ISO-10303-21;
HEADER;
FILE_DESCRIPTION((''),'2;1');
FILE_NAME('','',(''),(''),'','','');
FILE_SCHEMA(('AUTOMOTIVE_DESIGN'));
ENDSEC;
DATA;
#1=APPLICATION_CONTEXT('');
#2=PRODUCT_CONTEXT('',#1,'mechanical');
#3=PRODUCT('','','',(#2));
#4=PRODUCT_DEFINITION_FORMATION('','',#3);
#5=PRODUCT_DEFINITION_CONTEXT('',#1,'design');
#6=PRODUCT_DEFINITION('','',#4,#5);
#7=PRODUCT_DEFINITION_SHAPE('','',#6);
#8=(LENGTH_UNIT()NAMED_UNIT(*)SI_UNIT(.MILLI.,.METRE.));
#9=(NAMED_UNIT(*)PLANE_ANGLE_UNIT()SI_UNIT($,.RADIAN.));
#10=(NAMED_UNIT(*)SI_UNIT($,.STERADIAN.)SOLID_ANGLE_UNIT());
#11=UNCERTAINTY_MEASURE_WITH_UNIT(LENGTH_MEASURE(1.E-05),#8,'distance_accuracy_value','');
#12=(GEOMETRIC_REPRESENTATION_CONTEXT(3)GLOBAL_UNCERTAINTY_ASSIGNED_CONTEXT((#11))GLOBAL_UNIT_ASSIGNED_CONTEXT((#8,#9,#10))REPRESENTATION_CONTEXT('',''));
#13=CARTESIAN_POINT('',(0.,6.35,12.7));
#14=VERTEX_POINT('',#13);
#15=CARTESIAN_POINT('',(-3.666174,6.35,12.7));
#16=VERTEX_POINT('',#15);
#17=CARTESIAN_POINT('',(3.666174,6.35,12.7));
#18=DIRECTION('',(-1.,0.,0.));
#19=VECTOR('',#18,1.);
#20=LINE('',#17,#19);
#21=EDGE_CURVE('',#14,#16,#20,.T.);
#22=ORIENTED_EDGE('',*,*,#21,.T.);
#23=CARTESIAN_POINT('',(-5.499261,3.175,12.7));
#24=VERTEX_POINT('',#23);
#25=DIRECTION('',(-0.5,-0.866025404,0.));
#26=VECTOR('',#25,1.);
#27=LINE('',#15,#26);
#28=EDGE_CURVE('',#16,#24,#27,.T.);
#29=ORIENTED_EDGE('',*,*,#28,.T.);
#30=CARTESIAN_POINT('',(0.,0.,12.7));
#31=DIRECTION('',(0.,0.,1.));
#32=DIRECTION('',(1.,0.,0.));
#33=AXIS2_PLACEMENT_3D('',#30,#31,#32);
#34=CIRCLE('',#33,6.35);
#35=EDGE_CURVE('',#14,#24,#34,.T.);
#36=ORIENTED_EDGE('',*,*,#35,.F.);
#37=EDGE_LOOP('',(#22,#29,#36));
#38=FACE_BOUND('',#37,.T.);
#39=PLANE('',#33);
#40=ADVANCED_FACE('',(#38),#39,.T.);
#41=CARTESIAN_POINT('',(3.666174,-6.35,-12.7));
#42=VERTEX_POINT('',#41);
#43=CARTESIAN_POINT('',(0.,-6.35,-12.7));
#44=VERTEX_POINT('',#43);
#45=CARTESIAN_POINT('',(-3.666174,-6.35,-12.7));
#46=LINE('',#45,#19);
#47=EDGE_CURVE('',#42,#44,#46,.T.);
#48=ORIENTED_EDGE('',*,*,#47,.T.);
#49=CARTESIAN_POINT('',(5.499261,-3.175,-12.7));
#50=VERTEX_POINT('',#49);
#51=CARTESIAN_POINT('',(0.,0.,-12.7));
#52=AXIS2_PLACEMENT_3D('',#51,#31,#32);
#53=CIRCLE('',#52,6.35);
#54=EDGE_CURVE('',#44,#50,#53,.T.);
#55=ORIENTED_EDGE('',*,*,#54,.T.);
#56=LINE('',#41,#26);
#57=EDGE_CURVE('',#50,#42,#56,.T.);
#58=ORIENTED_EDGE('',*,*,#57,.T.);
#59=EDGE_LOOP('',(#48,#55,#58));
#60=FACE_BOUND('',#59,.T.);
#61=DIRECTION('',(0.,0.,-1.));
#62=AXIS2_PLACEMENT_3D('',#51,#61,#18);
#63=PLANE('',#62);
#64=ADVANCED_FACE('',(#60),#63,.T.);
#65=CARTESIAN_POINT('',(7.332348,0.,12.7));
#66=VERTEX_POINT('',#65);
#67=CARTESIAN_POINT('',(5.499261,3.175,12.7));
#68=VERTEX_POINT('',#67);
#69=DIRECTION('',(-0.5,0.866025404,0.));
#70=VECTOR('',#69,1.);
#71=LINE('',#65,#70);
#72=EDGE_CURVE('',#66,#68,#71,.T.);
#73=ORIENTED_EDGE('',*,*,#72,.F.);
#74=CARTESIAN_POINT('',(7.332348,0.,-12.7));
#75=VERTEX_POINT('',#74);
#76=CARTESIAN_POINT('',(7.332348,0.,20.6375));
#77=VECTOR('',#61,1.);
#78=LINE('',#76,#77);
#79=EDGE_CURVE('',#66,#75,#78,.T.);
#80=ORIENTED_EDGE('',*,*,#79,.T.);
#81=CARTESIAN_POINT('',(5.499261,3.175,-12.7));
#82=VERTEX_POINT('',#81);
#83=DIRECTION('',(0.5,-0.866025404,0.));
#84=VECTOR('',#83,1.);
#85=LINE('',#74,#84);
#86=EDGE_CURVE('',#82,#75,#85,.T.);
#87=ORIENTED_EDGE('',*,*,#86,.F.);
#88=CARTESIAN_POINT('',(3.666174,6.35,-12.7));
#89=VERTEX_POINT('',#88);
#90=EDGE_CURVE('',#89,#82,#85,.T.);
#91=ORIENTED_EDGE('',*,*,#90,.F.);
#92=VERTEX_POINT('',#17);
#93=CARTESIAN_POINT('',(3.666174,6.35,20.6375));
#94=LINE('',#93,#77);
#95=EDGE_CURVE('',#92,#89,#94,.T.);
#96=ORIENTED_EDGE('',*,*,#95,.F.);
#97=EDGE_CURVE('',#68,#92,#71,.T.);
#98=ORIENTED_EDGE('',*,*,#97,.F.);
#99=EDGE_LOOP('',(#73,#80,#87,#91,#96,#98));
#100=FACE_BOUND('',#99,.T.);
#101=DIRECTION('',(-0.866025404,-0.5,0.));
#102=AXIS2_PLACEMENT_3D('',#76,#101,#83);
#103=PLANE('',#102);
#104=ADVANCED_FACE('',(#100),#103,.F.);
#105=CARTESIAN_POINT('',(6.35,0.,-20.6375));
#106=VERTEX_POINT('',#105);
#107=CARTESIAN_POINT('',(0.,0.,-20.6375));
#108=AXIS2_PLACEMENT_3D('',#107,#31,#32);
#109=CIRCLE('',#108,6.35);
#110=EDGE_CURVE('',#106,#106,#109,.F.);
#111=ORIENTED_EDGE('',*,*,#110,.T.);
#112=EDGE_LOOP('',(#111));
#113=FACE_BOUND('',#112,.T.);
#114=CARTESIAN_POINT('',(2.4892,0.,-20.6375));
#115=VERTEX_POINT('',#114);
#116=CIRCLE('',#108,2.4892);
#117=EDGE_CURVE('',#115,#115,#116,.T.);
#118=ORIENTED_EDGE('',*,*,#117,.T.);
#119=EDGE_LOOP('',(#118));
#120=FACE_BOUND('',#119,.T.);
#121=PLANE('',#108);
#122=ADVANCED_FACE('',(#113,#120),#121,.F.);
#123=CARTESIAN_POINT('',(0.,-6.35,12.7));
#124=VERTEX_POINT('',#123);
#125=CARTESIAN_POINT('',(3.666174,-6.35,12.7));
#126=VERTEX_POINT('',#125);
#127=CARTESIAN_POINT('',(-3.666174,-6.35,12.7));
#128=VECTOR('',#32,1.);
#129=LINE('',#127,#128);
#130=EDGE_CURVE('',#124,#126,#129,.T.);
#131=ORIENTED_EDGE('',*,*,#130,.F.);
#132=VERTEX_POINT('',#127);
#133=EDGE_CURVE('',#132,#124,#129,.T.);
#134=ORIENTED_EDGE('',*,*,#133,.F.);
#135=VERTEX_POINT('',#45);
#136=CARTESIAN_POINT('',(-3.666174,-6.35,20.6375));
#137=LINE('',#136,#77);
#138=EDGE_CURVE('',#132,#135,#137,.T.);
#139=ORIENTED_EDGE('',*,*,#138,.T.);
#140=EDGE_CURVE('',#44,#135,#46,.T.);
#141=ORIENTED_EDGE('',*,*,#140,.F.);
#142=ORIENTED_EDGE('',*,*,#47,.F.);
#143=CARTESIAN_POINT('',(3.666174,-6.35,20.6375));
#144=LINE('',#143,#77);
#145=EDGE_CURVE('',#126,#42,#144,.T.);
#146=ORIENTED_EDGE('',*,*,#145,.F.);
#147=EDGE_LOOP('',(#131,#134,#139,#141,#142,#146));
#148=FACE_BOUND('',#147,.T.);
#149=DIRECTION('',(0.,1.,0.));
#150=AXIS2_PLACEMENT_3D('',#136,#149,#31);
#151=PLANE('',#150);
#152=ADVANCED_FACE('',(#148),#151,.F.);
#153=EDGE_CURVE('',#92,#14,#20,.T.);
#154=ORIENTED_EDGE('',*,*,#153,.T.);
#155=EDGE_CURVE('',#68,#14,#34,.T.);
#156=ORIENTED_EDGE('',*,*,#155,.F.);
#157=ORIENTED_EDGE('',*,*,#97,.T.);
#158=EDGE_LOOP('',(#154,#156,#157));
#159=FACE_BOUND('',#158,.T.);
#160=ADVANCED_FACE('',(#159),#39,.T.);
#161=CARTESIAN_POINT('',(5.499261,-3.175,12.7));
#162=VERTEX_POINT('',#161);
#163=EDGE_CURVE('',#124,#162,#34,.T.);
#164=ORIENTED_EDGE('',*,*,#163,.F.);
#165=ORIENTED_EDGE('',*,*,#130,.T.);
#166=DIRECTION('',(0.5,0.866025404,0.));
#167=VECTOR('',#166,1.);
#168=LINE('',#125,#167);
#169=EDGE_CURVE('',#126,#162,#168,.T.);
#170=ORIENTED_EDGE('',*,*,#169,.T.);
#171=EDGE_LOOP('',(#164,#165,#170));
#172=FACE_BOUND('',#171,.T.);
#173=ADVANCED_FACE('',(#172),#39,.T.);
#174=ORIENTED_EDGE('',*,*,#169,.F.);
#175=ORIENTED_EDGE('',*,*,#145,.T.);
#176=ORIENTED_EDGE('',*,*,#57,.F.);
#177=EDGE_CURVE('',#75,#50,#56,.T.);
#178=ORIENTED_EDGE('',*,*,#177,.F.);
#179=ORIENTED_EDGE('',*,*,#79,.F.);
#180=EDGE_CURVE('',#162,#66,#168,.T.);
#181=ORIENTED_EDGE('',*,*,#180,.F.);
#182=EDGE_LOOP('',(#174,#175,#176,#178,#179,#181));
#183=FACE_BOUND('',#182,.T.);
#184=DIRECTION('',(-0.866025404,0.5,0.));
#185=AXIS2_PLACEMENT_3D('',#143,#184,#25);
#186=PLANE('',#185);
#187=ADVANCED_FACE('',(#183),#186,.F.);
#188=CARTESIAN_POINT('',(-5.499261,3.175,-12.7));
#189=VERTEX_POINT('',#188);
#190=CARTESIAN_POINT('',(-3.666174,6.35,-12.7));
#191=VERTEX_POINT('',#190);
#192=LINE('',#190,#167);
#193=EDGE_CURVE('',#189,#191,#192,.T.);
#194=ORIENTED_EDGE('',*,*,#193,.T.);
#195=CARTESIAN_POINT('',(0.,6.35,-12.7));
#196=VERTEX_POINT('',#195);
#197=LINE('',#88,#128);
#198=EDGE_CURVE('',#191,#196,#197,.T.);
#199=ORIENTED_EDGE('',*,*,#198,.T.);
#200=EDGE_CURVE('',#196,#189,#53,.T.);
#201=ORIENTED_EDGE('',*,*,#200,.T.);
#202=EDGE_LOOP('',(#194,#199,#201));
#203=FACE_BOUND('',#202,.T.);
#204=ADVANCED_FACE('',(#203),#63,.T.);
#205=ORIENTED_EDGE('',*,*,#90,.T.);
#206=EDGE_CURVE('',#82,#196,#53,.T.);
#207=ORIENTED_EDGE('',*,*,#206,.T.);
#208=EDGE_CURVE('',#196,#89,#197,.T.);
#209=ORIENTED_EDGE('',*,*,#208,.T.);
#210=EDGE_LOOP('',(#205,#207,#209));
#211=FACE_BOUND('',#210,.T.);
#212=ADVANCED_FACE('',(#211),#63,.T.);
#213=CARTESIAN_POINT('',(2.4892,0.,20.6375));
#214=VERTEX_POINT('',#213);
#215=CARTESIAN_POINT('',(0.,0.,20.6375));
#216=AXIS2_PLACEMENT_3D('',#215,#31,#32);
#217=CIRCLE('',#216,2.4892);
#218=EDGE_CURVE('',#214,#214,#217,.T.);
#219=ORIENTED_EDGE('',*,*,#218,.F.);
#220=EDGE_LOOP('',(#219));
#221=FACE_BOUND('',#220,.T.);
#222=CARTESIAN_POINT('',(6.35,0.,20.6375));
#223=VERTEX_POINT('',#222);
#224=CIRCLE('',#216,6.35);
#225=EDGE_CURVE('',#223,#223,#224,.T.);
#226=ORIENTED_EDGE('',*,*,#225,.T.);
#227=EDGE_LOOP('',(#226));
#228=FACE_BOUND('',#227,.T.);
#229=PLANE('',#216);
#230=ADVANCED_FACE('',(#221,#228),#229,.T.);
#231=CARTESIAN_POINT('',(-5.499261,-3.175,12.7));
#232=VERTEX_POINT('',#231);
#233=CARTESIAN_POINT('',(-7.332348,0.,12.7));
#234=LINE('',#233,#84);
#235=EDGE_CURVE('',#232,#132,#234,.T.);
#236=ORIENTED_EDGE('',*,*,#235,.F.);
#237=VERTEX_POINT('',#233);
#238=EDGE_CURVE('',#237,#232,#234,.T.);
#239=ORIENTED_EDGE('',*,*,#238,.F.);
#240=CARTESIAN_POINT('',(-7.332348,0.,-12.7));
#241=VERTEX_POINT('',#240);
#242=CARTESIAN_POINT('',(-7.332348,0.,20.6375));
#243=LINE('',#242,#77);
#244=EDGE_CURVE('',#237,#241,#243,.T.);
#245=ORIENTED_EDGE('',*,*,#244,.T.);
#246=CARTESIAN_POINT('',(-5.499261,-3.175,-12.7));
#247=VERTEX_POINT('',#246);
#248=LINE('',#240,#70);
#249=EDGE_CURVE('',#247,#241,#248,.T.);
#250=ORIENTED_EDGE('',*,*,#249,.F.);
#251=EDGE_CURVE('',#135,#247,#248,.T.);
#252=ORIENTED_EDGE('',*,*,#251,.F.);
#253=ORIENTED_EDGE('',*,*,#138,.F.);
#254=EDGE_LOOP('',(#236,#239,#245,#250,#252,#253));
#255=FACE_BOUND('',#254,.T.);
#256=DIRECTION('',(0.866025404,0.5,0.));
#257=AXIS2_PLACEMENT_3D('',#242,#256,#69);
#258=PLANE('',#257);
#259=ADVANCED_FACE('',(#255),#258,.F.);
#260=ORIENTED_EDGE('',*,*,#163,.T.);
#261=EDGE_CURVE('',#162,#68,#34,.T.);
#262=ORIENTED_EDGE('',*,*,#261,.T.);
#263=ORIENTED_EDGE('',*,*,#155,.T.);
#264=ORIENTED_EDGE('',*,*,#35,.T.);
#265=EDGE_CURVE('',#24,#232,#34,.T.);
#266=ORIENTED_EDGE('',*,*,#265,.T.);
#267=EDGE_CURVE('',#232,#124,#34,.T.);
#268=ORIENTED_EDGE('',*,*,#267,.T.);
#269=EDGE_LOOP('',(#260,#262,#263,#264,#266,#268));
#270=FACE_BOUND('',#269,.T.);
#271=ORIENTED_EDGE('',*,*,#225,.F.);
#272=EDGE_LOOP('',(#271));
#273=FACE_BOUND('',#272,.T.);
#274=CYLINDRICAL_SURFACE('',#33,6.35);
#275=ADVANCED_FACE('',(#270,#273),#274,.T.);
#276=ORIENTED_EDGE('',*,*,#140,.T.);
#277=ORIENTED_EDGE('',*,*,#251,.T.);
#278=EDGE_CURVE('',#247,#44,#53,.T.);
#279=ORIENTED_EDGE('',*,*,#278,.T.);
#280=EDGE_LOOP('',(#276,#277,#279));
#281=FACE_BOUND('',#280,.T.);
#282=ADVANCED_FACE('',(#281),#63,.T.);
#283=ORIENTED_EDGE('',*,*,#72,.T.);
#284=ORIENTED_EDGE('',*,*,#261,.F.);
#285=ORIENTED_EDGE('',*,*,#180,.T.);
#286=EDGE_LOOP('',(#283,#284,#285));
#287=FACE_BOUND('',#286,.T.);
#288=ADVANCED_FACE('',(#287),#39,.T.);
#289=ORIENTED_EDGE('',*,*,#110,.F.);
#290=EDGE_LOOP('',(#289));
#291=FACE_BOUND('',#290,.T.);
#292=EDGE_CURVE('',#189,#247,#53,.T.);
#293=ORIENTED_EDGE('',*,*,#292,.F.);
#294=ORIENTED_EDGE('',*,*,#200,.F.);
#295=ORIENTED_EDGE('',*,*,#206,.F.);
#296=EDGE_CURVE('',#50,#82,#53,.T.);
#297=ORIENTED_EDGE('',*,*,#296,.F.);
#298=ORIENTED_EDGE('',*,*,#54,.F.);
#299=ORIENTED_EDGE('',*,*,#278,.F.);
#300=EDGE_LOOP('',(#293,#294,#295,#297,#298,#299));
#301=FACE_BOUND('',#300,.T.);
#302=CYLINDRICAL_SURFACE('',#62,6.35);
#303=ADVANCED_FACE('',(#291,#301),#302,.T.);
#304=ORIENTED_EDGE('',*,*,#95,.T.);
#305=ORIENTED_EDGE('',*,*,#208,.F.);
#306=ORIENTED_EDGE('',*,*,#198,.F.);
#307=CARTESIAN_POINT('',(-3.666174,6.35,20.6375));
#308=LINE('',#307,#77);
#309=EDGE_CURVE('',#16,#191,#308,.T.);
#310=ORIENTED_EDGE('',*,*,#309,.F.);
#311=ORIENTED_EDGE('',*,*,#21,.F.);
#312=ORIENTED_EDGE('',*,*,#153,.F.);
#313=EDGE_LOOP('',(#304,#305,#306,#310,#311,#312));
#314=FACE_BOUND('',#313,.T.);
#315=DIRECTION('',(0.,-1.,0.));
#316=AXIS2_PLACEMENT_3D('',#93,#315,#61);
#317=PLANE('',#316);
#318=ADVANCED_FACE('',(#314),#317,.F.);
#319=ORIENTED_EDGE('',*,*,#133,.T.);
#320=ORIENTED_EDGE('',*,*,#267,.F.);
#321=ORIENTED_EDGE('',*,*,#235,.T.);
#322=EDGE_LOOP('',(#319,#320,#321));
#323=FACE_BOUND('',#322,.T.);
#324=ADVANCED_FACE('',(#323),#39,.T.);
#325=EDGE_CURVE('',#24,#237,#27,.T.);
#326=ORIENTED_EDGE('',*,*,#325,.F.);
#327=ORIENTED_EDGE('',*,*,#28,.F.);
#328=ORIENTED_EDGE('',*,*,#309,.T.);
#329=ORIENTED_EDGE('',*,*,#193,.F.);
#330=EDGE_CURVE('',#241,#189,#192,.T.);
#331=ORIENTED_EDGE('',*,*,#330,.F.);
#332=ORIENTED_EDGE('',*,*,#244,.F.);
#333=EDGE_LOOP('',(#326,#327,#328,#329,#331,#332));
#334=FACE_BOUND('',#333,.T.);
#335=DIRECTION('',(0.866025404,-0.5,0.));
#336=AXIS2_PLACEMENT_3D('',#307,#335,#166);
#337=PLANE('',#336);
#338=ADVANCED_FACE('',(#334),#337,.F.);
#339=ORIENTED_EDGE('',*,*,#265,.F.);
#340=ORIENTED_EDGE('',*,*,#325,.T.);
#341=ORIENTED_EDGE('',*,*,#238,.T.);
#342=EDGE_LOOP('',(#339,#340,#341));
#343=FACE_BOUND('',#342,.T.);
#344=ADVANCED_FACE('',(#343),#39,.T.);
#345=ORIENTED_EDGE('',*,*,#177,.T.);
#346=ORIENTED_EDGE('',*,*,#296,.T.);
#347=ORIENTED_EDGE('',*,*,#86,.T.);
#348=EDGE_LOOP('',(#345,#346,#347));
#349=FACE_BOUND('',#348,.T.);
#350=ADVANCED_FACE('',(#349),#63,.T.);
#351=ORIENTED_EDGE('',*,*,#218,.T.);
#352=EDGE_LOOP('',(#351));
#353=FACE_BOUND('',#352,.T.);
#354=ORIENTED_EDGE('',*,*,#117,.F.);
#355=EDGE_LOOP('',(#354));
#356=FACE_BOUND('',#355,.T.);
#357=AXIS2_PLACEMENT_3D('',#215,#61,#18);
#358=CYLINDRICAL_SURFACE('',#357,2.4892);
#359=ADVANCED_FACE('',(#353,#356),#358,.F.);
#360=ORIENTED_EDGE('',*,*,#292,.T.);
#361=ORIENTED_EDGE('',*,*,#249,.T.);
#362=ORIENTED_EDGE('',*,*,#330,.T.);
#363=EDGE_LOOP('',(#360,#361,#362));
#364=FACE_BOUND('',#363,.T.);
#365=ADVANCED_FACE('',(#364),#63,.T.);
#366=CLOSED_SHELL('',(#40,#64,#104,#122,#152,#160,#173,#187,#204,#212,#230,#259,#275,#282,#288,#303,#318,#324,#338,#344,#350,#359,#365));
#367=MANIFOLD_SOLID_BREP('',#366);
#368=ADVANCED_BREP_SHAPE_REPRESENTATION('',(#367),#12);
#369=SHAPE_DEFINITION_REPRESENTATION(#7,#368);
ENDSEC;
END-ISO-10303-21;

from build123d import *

# Parameters (mm, degrees)
SKETCH1_R           = 2.4892
BOSS_EXTRUDE1_DEPTH = 20.6375
SKETCH2_OUTSIDE_W   = 25.786
SKETCH2_OUTSIDE_H   = 23.822
SKETCH2_OUTSIDE_R   = 6.35
CUT_EXTRUDE4_DEPTH  = 7.9375


with BuildPart() as part:
    # Sketch1 → Boss-Extrude1 (new, symmetric)
    with BuildSketch(Plane.XY):
        Polygon((3.666174209, 6.35), (-3.666174209, 6.35), (-7.332348419, 0), (-3.666174209, -6.35), (3.666174209, -6.35), (7.332348419, 0), align=None)
        Circle(SKETCH1_R, mode=Mode.SUBTRACT)
    extrude(amount=BOSS_EXTRUDE1_DEPTH, both=True)

    # Sketch2 outside → Cut-Extrude4 (cut)
    with BuildSketch(Plane.XY.offset(20.6375)):
        Rectangle(SKETCH2_OUTSIDE_W, SKETCH2_OUTSIDE_H)
        Circle(SKETCH2_OUTSIDE_R, mode=Mode.SUBTRACT)
    cut_extrude4 = extrude(amount=-CUT_EXTRUDE4_DEPTH, mode=Mode.SUBTRACT)

    # Mirror1: Cut-Extrude4 across plane
    add(cut_extrude4.mirror(Plane.XY), mode=Mode.SUBTRACT)


solid = part.part
